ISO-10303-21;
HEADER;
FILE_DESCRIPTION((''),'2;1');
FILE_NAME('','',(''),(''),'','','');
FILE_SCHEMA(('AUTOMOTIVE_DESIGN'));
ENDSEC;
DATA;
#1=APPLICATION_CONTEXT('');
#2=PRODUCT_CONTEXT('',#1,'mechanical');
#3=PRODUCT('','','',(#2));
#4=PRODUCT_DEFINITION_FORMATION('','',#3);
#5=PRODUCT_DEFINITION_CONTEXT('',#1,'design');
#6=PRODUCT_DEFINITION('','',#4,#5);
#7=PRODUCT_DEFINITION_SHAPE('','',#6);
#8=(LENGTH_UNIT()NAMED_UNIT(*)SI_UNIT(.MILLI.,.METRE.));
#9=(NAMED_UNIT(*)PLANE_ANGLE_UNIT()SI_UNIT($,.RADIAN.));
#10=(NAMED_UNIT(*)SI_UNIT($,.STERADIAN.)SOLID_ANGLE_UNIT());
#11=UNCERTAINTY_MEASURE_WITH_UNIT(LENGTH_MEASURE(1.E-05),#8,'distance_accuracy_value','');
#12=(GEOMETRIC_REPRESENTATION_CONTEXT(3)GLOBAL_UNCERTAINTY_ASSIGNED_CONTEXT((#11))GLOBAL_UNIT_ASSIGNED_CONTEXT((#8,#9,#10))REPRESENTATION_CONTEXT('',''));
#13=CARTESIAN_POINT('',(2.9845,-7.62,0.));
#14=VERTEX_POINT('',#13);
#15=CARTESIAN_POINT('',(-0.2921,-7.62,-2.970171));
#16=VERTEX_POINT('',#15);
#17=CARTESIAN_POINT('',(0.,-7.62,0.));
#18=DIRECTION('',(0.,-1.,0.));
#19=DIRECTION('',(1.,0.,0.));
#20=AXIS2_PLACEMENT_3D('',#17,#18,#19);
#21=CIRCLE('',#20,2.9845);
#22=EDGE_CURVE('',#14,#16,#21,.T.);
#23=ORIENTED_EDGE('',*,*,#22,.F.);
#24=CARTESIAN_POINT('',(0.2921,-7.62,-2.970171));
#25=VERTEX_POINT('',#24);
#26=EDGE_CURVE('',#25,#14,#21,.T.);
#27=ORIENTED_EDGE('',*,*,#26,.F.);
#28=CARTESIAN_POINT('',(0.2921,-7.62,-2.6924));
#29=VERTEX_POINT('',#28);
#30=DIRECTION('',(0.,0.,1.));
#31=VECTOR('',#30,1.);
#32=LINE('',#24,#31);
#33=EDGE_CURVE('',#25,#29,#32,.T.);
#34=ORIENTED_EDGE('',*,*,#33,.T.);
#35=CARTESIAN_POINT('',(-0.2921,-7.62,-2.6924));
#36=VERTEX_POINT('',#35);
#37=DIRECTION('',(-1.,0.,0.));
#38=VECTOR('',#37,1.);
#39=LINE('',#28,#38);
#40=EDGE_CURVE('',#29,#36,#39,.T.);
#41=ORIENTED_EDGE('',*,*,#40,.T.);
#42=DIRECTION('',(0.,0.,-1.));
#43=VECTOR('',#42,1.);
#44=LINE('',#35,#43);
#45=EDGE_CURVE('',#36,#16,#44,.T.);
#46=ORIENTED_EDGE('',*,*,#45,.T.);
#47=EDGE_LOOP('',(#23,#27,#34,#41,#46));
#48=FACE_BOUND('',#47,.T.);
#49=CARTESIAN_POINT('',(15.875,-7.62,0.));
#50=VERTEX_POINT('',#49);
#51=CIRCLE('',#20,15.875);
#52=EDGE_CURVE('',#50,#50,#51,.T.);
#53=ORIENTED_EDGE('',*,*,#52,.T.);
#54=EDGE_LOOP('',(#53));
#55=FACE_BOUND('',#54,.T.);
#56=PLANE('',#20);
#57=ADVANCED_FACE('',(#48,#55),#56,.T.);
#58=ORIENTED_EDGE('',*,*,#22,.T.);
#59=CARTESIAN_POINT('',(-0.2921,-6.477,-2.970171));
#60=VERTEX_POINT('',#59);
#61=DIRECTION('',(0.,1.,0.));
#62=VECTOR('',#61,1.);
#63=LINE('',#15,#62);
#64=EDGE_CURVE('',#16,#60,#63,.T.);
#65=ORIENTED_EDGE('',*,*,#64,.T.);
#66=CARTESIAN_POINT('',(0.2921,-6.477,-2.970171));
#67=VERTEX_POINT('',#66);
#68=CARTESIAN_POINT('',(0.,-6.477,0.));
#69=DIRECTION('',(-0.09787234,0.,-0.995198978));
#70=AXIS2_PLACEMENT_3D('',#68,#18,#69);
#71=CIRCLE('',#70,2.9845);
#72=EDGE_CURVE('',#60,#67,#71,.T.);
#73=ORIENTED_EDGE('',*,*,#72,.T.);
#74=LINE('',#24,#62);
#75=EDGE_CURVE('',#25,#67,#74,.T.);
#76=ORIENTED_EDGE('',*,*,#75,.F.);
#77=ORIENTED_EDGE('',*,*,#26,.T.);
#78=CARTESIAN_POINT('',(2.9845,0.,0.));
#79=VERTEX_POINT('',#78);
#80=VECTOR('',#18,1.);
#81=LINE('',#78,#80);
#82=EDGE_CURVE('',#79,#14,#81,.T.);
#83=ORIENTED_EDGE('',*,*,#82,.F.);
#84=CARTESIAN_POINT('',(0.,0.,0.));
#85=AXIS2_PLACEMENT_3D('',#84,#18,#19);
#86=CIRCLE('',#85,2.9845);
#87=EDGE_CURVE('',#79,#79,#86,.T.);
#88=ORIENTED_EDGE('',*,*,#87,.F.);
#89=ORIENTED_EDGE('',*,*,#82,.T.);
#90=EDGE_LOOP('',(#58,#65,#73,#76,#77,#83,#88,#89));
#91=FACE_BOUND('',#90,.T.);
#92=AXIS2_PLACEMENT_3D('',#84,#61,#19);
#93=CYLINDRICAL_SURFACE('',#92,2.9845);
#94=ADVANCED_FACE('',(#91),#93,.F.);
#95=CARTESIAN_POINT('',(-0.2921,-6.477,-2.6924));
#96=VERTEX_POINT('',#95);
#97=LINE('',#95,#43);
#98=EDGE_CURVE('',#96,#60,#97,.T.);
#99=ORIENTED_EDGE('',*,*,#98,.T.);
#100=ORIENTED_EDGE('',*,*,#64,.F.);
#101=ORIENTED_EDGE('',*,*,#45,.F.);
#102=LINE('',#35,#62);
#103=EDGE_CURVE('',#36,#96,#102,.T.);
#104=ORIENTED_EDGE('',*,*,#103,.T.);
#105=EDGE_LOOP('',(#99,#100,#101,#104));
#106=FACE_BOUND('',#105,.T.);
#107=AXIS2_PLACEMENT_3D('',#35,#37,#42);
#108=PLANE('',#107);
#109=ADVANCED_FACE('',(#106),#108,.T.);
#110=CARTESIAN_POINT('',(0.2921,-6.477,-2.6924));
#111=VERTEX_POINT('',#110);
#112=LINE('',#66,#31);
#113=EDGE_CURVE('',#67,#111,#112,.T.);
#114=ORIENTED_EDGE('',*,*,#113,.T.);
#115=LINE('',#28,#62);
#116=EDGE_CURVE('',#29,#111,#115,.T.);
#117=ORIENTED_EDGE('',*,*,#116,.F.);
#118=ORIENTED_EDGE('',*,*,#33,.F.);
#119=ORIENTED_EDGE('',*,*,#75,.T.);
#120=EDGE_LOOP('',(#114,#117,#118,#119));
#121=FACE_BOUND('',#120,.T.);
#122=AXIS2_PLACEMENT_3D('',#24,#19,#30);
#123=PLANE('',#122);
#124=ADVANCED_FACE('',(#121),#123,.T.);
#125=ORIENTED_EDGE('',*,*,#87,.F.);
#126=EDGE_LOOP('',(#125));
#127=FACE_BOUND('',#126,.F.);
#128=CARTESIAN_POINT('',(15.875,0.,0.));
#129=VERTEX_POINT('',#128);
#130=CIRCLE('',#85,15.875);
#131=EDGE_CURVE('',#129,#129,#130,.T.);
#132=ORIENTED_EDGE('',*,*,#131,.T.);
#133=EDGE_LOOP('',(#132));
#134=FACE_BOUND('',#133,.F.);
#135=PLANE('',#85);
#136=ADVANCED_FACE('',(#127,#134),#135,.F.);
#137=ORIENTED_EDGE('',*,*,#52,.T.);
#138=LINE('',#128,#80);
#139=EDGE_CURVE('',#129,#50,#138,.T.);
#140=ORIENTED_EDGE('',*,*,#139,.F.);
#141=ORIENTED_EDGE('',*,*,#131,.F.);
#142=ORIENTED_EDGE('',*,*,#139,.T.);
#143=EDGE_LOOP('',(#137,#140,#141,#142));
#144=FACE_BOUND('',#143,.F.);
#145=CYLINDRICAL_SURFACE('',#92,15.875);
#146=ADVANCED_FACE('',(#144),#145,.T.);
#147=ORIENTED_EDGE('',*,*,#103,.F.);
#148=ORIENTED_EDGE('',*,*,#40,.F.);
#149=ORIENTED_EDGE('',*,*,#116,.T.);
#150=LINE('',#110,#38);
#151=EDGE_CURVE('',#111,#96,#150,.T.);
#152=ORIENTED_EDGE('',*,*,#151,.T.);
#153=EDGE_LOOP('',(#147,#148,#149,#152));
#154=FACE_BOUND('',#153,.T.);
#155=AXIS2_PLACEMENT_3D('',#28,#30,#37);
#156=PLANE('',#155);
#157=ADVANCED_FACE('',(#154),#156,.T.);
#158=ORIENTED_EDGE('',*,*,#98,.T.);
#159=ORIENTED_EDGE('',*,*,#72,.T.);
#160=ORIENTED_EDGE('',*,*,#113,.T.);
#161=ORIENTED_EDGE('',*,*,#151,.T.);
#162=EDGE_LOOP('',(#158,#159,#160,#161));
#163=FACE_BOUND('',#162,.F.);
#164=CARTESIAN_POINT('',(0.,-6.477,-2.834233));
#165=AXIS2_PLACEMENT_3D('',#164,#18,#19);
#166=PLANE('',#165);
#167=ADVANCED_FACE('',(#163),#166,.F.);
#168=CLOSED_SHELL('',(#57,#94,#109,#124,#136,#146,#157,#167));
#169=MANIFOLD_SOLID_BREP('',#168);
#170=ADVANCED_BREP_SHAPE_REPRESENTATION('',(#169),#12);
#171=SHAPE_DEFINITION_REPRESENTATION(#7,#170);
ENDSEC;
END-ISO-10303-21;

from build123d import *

# Parameters (mm, degrees)
F0_R     = 15.875
F0_R_2   = 2.9845
F1_DEPTH = 7.62
F3_DEPTH = 1.143


with BuildPart() as f1:
    # F0 (on Front) → F1 (new body)
    with BuildSketch(Plane.XZ):
        Circle(F0_R)
        Circle(F0_R_2, mode=Mode.SUBTRACT)
    extrude(amount=F1_DEPTH)

    # F2 (on face) → F3 (join)
    with BuildSketch(Plane.XZ.offset(7.62)):
        with BuildLine():
            Line((0.2921, -2.6924), (-0.2921, -2.6924))
            Line((-0.2921, -2.6924), (-0.2921, -2.9701713486))
            ThreePointArc((-0.2921, -2.9701713486), (0, -2.9845), (0.2921, -2.9701713486))
            Line((0.2921, -2.9701713486), (0.2921, -2.6924))
        make_face()
    extrude(amount=-F3_DEPTH)


solid = f1.part
